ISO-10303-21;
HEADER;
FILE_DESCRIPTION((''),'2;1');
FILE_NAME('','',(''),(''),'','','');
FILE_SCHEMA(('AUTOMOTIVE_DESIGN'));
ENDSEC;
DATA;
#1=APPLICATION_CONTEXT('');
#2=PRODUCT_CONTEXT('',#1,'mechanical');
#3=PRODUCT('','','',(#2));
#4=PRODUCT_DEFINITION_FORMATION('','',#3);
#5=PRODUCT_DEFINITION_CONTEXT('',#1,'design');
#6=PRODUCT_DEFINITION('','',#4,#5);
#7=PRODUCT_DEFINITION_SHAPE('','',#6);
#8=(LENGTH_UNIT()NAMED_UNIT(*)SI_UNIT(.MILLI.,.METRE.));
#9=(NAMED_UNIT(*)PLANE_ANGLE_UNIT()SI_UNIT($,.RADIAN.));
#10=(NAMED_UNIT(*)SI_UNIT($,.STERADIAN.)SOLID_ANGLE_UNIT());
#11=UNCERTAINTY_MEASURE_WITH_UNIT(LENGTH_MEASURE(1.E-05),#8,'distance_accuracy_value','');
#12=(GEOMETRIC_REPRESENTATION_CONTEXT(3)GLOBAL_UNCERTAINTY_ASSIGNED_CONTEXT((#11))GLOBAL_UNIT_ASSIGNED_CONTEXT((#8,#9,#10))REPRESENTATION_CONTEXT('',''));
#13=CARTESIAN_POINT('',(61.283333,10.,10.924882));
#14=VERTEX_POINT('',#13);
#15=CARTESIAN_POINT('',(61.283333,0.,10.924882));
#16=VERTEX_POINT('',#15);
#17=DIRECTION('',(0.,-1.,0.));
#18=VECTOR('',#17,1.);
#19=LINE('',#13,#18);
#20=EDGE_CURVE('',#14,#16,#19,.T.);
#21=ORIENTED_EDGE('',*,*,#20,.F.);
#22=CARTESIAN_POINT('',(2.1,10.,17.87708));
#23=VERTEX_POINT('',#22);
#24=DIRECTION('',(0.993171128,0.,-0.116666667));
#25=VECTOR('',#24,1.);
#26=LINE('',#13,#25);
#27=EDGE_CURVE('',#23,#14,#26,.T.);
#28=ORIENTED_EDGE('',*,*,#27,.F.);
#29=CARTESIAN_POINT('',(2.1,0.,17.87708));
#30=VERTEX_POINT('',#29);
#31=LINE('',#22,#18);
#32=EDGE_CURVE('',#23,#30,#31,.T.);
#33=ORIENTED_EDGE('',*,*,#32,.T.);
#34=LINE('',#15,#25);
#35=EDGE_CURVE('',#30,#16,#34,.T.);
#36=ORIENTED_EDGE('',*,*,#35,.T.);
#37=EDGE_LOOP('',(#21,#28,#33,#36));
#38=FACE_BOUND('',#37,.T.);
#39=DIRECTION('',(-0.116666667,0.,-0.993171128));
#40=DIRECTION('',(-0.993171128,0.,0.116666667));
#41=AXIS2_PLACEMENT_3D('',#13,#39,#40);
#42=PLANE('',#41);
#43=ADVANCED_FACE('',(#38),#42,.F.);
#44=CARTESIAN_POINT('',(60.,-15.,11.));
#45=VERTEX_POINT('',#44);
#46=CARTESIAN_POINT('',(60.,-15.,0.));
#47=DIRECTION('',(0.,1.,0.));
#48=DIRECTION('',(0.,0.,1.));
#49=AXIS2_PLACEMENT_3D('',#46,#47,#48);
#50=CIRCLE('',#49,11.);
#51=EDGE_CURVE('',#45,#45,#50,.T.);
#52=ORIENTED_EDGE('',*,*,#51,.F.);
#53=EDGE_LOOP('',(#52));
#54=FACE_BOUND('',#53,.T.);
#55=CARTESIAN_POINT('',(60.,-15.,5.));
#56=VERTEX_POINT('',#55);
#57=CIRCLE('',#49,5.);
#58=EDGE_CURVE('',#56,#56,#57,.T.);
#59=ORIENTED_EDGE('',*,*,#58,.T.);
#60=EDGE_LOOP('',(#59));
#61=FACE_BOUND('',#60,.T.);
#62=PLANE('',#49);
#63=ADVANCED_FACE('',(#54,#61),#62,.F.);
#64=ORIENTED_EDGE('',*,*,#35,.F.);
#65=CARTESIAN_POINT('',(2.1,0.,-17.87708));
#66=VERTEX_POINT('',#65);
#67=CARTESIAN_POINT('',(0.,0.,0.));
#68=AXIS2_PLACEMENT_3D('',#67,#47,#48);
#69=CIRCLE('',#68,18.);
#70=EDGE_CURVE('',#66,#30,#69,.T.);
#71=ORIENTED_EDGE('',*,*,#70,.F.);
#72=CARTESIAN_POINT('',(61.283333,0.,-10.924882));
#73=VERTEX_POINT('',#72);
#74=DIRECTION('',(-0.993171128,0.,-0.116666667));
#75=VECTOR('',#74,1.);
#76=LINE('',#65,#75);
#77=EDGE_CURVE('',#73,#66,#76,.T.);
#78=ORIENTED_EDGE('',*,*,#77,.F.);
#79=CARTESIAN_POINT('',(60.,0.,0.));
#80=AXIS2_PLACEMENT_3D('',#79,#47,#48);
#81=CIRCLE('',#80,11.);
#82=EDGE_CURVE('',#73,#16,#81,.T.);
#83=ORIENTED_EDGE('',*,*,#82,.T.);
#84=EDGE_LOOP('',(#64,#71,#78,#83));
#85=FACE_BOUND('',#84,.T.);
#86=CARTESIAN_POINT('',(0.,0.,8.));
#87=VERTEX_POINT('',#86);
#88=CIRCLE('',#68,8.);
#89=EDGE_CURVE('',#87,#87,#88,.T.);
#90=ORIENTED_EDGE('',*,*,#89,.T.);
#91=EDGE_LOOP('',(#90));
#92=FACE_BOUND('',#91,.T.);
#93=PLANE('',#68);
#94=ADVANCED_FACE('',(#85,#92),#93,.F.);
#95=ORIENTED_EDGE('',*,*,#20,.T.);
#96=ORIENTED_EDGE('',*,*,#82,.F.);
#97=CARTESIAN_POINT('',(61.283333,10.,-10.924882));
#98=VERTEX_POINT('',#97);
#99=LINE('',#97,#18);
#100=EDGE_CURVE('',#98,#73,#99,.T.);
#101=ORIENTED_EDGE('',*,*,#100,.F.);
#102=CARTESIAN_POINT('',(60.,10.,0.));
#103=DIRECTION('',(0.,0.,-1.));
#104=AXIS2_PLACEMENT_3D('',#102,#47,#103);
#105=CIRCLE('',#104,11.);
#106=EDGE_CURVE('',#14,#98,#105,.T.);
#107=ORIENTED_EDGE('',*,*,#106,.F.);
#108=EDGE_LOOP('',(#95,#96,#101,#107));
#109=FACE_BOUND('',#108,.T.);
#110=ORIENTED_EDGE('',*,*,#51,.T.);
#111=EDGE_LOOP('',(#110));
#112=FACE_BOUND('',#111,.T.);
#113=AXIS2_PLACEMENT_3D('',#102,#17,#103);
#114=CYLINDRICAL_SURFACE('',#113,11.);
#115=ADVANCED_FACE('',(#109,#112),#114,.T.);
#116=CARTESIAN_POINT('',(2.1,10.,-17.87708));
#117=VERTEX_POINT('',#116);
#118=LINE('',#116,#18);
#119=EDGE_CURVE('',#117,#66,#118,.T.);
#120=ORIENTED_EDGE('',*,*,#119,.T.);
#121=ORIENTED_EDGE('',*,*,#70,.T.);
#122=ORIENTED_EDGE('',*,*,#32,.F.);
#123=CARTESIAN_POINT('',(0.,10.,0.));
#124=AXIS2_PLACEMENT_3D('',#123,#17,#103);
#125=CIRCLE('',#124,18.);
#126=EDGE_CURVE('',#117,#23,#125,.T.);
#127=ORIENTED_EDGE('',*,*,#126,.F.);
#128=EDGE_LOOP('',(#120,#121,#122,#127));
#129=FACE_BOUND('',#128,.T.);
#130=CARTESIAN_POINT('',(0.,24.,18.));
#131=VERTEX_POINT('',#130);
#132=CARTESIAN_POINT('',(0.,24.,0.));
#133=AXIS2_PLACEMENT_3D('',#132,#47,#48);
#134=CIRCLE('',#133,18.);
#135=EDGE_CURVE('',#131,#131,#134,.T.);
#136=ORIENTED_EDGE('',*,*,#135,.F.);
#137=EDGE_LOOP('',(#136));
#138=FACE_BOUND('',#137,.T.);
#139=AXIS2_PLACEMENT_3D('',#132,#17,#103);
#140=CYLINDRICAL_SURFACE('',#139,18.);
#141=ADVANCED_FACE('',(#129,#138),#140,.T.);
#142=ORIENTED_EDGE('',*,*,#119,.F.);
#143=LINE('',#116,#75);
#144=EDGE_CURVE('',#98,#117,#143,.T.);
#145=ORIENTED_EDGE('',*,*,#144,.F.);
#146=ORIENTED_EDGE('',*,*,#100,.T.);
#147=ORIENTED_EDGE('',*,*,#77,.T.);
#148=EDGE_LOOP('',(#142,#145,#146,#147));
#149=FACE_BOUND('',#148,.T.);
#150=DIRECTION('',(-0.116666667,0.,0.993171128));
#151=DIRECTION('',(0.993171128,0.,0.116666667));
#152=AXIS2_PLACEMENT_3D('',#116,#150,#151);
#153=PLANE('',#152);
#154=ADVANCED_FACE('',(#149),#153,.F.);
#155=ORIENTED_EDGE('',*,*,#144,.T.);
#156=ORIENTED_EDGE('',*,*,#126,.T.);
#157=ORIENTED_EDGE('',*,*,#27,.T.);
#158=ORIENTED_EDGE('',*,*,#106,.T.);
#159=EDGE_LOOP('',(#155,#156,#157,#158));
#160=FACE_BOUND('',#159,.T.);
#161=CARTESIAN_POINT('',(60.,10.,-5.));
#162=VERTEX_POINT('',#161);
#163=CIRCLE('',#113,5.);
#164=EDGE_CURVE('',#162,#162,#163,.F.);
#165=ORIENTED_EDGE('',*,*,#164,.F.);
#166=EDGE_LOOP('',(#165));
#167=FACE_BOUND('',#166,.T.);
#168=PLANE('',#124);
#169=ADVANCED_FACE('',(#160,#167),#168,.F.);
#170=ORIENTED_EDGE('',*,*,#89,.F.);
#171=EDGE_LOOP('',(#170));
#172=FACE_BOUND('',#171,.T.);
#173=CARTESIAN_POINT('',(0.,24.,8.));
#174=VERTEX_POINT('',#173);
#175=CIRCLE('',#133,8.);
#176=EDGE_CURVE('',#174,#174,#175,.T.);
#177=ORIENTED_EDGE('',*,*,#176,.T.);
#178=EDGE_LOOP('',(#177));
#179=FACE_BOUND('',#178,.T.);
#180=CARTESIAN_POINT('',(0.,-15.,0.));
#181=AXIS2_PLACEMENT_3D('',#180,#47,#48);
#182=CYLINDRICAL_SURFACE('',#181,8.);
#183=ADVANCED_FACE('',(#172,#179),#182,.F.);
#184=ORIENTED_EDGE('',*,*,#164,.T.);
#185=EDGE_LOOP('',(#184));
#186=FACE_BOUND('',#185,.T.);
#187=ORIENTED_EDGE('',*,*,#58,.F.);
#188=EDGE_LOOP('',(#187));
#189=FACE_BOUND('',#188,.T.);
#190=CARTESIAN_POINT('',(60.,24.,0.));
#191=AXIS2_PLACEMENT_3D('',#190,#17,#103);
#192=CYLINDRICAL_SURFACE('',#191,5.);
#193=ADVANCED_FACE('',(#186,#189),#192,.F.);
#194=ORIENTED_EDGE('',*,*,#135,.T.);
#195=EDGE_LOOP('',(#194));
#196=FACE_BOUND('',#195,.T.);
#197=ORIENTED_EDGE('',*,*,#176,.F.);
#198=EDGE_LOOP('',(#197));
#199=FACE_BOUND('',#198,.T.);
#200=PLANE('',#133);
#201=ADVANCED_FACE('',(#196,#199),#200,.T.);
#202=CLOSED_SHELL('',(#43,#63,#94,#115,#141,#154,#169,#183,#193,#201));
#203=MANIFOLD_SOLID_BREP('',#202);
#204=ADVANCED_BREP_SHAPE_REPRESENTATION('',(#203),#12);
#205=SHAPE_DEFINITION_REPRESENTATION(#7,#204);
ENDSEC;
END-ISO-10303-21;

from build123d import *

# Parameters (mm, degrees)
SKETCH_1_R          = 18
EXTRUDE_1_DEPTH     = 24
EXTRUDE_2_DEPTH     = 10
EXTRUDE_START       = -15
SKETCH_3_R          = 11
EXTRUDE_3_DEPTH     = 15
SKETCH_4_R          = 8
CUT_EXTRUDE_1_DEPTH = 83.981925743
SKETCH_5_R          = 5
CUT_EXTRUDE_2_DEPTH = 83.981925743


with BuildPart() as part:
    # 草图1 → 凸台-拉伸1 (new body)
    with BuildSketch(Plane(origin=(0, 0, 0), x_dir=(1, 0, 0), z_dir=(0, 1, 0))):
        with Locations(Location((0, 0, 0), (0, 0, 270))):
            Circle(SKETCH_1_R)
    extrude(amount=EXTRUDE_1_DEPTH)

    # 草图2 → 凸台-拉伸2 (add)
    with BuildSketch(Plane(origin=(0, 0, 0), x_dir=(1, 0, 0), z_dir=(0, 1, 0))):
        with BuildLine():
            Line((2.1, 17.877080299), (61.283333333, 10.924882405))
            ThreePointArc((61.283333333, 10.924882405), (71, 0), (61.283333333, -10.924882405))
            Line((61.283333333, -10.924882405), (2.1, -17.877080299))
            ThreePointArc((2.1, -17.877080299), (-18, 0), (2.1, 17.877080299))
        make_face()
    extrude(amount=EXTRUDE_2_DEPTH)

    # 草图3 → 凸台-拉伸3 (add)
    with BuildSketch(Plane(origin=(0, 0, 0), x_dir=(1, 0, 0), z_dir=(0, 1, 0)).offset(EXTRUDE_START)):
        with Locations(Location((60, 0, 0), (0, 0, 83.300234822))):
            Circle(SKETCH_3_R)
    extrude(amount=EXTRUDE_3_DEPTH)

    # 草图4 → 切除-拉伸1 (cut, through all)
    with BuildSketch(Plane(origin=(0, 24, 0), x_dir=(1, 0, 0), z_dir=(0, 1, 0))):
        with Locations(Location((0, 0, 0), (0, 0, 270))):
            Circle(SKETCH_4_R)
    extrude(amount=-CUT_EXTRUDE_1_DEPTH, mode=Mode.SUBTRACT)

    # 草图5 → 切除-拉伸2 (cut, through all)
    with BuildSketch(Plane(origin=(0, -15, 0), x_dir=(1, 0, 0), z_dir=(0, 1, 0))):
        with Locations(Location((60, 0, 0), (0, 0, 90))):
            Circle(SKETCH_5_R)
    extrude(amount=CUT_EXTRUDE_2_DEPTH, mode=Mode.SUBTRACT)


solid = part.part
